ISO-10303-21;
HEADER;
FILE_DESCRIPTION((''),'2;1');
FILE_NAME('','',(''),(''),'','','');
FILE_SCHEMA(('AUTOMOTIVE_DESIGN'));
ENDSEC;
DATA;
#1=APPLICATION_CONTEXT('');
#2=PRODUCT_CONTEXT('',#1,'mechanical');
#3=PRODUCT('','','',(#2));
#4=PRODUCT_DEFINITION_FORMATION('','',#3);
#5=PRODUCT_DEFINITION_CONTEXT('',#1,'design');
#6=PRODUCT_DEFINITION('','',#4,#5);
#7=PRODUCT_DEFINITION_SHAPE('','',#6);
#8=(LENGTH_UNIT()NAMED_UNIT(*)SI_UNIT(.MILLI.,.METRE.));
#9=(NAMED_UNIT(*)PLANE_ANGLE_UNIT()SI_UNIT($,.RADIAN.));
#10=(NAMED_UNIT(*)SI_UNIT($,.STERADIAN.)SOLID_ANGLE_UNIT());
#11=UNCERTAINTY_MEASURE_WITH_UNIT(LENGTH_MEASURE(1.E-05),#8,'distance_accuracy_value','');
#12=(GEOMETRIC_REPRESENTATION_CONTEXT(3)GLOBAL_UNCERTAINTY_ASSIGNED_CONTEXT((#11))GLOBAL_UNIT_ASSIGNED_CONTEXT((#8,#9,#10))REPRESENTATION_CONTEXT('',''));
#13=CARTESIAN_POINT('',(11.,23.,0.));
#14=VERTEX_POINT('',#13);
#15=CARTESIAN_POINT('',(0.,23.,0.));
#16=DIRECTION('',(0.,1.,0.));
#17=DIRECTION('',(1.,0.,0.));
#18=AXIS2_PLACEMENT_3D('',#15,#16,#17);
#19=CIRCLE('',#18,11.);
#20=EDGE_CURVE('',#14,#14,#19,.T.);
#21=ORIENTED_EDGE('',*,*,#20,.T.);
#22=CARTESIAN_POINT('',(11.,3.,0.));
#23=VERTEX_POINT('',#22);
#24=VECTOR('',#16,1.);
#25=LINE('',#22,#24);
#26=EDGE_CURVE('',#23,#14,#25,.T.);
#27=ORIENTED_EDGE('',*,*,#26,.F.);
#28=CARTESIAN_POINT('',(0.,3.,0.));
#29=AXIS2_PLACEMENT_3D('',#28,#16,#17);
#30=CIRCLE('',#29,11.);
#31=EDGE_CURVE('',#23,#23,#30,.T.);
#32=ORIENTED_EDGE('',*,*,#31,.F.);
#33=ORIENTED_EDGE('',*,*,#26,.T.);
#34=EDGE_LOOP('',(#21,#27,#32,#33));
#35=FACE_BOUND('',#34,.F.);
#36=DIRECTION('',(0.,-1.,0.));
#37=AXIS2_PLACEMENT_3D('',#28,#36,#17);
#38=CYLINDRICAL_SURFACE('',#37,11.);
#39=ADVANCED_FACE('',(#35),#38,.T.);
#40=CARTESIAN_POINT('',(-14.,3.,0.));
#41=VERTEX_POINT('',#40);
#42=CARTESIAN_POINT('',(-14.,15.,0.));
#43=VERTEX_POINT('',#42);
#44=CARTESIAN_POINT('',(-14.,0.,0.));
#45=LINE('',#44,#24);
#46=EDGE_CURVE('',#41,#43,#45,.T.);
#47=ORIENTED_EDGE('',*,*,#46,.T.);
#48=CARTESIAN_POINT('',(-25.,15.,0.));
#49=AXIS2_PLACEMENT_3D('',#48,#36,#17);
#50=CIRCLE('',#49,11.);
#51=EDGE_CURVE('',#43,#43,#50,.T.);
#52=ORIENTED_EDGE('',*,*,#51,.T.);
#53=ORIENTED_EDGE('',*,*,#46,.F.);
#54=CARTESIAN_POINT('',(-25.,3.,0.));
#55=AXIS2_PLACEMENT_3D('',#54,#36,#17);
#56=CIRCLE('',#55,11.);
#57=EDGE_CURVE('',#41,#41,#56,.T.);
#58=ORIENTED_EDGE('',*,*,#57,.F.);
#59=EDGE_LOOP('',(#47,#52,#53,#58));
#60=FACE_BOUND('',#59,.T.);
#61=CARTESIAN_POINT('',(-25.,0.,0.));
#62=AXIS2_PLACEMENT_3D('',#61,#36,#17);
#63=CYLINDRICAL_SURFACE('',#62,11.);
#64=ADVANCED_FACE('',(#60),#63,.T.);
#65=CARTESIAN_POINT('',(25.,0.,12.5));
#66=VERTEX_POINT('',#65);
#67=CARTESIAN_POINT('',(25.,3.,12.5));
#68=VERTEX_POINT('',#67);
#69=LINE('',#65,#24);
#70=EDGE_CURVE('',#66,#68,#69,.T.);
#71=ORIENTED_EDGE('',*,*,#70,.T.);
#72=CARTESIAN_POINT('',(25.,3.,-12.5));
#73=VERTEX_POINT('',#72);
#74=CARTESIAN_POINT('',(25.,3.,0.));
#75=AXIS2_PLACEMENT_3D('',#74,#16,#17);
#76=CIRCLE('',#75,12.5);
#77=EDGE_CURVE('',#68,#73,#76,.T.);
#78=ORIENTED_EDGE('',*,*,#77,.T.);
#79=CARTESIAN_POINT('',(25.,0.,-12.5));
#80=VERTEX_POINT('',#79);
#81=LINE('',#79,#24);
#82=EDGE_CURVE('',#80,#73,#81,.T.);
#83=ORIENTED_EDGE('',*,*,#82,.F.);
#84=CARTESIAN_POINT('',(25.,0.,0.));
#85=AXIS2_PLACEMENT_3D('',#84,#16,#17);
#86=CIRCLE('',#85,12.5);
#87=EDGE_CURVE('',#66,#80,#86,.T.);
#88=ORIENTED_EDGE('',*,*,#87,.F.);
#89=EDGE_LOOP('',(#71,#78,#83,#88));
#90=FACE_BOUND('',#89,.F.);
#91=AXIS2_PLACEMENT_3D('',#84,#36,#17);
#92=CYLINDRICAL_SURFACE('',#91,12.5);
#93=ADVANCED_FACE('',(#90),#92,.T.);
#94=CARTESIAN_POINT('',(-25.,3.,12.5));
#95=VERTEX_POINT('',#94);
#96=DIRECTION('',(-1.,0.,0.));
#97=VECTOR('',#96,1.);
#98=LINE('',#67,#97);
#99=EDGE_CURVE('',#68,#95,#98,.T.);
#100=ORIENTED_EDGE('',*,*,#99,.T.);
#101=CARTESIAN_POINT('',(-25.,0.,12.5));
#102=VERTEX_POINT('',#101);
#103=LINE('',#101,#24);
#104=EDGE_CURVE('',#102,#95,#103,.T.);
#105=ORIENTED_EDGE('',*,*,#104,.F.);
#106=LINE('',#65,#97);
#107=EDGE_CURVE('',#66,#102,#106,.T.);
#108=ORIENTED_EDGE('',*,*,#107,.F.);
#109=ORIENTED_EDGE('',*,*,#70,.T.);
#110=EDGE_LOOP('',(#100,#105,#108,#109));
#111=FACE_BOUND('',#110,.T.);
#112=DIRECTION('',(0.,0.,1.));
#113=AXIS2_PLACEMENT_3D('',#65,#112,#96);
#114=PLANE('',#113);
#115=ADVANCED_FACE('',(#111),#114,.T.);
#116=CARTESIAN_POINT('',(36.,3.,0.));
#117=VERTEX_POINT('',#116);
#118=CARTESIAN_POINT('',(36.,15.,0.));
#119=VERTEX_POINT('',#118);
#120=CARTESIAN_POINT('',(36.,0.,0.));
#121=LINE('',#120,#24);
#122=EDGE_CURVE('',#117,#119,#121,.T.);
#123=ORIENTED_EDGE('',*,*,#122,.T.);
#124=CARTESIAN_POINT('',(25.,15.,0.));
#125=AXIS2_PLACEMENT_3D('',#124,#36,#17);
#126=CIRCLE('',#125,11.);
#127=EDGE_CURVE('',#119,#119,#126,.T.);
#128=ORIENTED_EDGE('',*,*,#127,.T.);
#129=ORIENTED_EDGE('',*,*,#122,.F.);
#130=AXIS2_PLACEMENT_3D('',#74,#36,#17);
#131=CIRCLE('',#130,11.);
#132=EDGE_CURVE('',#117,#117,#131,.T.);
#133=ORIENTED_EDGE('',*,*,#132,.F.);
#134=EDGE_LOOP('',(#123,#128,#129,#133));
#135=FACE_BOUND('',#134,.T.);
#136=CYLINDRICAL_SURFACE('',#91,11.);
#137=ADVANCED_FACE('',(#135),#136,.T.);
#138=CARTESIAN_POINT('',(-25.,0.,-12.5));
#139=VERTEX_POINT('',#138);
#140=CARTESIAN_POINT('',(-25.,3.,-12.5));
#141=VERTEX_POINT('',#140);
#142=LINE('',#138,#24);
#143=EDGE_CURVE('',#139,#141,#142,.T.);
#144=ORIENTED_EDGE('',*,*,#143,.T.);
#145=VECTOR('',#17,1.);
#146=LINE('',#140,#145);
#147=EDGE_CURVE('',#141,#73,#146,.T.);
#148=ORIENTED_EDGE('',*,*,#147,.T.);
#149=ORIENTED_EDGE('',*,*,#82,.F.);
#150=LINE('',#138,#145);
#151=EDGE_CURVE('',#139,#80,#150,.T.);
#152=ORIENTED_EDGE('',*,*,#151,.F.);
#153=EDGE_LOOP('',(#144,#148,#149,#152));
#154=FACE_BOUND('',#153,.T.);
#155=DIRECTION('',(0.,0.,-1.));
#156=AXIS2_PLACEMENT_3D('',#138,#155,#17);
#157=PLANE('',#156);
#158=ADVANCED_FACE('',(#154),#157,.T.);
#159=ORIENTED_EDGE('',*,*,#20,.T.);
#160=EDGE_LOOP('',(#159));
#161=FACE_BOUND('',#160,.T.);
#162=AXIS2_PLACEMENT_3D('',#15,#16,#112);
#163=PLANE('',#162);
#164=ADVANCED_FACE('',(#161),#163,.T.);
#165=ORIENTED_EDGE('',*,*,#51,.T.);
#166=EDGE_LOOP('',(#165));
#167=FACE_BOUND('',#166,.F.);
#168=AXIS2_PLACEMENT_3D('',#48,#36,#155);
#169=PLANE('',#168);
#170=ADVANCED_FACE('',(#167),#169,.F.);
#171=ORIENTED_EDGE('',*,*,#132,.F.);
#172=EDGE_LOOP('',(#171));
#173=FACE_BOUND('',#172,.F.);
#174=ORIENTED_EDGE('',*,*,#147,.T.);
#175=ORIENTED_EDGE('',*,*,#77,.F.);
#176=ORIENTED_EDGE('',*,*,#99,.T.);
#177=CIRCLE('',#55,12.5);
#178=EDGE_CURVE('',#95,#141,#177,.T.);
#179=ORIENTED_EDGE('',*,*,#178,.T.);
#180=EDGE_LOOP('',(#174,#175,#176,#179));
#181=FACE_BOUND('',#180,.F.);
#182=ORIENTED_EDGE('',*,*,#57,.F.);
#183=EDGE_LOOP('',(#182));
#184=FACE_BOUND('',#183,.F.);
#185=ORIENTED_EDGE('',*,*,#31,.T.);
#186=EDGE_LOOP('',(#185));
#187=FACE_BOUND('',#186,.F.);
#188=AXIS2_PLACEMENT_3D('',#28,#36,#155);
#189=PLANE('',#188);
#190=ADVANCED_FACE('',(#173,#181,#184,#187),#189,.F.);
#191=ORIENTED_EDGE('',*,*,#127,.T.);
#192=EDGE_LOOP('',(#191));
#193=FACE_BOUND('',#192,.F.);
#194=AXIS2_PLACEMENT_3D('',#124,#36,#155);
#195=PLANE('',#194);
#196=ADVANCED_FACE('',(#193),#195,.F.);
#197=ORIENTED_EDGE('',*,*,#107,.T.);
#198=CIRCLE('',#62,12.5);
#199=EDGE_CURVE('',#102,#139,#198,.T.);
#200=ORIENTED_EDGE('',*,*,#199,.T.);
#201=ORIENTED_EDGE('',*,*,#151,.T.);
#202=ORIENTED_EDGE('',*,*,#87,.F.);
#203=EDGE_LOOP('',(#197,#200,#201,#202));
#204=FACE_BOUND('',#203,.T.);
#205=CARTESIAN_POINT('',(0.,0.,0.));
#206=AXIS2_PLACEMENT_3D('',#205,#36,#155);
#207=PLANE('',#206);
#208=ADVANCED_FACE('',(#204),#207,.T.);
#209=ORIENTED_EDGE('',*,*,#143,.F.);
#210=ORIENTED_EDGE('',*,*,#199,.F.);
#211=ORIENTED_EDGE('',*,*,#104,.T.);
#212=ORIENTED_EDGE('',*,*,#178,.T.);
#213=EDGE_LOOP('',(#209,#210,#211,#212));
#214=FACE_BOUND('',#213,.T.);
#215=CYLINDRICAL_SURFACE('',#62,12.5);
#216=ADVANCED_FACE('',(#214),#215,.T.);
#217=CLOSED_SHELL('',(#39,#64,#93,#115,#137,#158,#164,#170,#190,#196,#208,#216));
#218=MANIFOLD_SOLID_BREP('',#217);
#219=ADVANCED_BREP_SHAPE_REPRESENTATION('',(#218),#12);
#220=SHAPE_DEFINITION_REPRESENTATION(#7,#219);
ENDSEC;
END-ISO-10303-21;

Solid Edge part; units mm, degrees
sketch "Sketch1" plane through (0, 0, 0) normal (0, -1, 0) x (1, 0, 0)
  line L0 (-25, -12.5) -> (25, -12.5)
  arc A0 (25, 12.5) -> (25, -12.5) centre (25, 0) cw
  line L1 (25, 12.5) -> (-25, 12.5)
  arc A1 (-25, 12.5) -> (-25, -12.5) centre (-25, 0) ccw
  dimension "D1" = 50
  dimension "D2" = 25
  dimension "D3" = 12.5
extrude "Protrusion1" add sketch "Sketch1" against normal blind 3
sketch "Sketch2" plane through (0, 0, 0) normal (0, -1, 0) x (1, 0, 0)
  circle A0 centre (-25, 0) radius 11
  circle A1 centre (25, 0) radius 11
  dimension "D1" = 22
extrude "Extrusionsausprägung_2" add sketch "Sketch2" against normal blind 15
sketch "Sketch3" plane through (0, 3, 0) normal (0, 1, 0) x (1, 0, 0)
  circle A0 centre (0, 0) radius 11
  dimension "D1" = 22
extrude "Extrusionsausprägung_3" add sketch "Sketch3" along normal blind 20
properties material "Polykarbonat"
